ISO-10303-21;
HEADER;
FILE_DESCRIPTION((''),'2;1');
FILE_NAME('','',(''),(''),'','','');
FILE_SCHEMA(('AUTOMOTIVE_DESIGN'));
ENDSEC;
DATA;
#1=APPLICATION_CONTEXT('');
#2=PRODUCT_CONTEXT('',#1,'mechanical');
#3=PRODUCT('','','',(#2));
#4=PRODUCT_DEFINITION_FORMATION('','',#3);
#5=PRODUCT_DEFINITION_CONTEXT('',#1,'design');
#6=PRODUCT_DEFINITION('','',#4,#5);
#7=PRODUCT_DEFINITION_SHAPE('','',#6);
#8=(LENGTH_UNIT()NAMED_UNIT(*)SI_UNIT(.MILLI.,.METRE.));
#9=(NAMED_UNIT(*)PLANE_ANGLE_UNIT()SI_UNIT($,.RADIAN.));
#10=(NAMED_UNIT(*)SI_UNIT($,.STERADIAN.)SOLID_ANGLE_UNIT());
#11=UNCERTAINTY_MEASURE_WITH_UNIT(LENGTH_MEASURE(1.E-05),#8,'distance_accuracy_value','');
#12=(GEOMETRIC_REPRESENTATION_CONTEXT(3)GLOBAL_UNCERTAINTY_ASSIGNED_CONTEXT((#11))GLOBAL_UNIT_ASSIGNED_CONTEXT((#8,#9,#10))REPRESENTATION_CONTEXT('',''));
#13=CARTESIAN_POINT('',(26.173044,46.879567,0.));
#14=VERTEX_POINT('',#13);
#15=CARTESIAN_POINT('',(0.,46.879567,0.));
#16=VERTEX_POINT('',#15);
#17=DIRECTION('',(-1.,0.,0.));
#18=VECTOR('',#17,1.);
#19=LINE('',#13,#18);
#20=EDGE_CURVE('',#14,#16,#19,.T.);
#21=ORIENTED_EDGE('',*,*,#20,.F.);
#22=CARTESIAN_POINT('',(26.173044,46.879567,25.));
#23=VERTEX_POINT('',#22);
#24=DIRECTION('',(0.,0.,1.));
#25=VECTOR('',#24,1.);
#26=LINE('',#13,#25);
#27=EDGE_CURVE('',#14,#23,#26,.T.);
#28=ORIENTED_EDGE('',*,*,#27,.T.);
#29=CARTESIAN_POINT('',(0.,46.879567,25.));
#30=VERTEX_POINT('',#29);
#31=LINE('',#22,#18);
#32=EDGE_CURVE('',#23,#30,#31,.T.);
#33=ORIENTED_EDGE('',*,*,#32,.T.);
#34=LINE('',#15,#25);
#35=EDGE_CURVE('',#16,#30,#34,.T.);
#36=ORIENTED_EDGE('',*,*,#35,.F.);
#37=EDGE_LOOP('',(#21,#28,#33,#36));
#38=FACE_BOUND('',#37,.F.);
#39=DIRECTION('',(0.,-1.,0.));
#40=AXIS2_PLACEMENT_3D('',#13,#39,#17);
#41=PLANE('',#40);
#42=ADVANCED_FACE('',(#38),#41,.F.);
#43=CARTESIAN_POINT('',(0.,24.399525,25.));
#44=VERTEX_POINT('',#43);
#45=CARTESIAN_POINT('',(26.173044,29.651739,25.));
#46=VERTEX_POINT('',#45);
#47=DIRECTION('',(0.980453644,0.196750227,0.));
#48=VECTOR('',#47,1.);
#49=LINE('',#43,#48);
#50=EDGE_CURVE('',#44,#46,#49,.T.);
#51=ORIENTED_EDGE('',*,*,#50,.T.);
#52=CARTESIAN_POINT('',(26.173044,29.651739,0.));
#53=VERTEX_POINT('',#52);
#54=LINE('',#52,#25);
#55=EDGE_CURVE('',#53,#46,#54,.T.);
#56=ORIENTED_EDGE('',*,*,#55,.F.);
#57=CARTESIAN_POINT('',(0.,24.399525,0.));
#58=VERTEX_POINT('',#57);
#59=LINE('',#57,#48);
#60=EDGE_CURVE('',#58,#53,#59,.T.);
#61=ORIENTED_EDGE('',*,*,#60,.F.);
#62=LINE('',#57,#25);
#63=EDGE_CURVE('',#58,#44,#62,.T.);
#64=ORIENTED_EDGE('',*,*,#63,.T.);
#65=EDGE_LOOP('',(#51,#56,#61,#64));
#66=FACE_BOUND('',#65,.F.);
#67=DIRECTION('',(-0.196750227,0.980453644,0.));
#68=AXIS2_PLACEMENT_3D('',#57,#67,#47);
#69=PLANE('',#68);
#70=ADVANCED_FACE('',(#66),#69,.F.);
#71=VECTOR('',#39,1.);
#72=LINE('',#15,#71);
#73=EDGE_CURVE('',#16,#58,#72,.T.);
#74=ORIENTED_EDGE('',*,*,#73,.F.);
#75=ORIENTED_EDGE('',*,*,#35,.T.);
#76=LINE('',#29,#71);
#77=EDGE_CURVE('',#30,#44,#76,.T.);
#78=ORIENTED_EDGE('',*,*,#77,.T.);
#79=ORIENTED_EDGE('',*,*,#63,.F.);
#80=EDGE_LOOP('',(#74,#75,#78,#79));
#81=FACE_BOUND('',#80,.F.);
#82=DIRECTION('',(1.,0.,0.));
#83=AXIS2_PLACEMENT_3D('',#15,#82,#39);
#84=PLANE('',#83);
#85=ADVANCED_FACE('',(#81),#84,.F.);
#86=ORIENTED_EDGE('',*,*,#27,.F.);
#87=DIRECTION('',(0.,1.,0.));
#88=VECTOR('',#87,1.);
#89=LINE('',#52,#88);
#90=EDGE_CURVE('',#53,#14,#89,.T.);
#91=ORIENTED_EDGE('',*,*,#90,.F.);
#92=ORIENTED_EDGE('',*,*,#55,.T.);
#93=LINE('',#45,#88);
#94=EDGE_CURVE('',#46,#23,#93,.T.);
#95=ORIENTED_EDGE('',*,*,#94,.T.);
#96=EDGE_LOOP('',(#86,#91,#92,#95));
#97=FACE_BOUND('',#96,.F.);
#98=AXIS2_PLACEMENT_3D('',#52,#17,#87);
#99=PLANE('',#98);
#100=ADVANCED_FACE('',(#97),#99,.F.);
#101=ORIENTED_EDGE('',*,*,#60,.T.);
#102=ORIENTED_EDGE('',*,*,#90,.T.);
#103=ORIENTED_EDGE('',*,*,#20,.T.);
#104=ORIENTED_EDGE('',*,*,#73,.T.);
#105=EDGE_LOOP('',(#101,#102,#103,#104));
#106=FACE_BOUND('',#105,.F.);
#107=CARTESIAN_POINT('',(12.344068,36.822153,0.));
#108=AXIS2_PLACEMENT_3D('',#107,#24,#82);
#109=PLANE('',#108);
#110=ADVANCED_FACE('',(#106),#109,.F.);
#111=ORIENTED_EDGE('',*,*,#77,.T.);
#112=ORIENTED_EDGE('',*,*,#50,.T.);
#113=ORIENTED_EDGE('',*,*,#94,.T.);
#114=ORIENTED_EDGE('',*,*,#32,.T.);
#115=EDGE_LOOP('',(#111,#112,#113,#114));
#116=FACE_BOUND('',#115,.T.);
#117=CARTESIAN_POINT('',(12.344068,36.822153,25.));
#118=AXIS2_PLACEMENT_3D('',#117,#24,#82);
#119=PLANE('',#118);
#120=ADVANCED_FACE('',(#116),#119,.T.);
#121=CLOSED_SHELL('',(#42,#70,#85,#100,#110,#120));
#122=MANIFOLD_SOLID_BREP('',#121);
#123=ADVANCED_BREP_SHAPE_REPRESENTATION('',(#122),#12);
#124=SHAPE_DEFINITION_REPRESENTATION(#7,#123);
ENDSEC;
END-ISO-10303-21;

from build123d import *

# Parameters (mm, degrees)
F2_DEPTH = 25


with BuildPart() as f2:
    # F1 (on face) → F2 (new body)
    with BuildSketch(Plane.XY):
        Polygon((0, 46.879567), (0, 24.682174), (0, 24.399525), (26.173044, 29.651739), (26.173044, 46.879567), align=None)
    extrude(amount=F2_DEPTH)


solid = f2.part
